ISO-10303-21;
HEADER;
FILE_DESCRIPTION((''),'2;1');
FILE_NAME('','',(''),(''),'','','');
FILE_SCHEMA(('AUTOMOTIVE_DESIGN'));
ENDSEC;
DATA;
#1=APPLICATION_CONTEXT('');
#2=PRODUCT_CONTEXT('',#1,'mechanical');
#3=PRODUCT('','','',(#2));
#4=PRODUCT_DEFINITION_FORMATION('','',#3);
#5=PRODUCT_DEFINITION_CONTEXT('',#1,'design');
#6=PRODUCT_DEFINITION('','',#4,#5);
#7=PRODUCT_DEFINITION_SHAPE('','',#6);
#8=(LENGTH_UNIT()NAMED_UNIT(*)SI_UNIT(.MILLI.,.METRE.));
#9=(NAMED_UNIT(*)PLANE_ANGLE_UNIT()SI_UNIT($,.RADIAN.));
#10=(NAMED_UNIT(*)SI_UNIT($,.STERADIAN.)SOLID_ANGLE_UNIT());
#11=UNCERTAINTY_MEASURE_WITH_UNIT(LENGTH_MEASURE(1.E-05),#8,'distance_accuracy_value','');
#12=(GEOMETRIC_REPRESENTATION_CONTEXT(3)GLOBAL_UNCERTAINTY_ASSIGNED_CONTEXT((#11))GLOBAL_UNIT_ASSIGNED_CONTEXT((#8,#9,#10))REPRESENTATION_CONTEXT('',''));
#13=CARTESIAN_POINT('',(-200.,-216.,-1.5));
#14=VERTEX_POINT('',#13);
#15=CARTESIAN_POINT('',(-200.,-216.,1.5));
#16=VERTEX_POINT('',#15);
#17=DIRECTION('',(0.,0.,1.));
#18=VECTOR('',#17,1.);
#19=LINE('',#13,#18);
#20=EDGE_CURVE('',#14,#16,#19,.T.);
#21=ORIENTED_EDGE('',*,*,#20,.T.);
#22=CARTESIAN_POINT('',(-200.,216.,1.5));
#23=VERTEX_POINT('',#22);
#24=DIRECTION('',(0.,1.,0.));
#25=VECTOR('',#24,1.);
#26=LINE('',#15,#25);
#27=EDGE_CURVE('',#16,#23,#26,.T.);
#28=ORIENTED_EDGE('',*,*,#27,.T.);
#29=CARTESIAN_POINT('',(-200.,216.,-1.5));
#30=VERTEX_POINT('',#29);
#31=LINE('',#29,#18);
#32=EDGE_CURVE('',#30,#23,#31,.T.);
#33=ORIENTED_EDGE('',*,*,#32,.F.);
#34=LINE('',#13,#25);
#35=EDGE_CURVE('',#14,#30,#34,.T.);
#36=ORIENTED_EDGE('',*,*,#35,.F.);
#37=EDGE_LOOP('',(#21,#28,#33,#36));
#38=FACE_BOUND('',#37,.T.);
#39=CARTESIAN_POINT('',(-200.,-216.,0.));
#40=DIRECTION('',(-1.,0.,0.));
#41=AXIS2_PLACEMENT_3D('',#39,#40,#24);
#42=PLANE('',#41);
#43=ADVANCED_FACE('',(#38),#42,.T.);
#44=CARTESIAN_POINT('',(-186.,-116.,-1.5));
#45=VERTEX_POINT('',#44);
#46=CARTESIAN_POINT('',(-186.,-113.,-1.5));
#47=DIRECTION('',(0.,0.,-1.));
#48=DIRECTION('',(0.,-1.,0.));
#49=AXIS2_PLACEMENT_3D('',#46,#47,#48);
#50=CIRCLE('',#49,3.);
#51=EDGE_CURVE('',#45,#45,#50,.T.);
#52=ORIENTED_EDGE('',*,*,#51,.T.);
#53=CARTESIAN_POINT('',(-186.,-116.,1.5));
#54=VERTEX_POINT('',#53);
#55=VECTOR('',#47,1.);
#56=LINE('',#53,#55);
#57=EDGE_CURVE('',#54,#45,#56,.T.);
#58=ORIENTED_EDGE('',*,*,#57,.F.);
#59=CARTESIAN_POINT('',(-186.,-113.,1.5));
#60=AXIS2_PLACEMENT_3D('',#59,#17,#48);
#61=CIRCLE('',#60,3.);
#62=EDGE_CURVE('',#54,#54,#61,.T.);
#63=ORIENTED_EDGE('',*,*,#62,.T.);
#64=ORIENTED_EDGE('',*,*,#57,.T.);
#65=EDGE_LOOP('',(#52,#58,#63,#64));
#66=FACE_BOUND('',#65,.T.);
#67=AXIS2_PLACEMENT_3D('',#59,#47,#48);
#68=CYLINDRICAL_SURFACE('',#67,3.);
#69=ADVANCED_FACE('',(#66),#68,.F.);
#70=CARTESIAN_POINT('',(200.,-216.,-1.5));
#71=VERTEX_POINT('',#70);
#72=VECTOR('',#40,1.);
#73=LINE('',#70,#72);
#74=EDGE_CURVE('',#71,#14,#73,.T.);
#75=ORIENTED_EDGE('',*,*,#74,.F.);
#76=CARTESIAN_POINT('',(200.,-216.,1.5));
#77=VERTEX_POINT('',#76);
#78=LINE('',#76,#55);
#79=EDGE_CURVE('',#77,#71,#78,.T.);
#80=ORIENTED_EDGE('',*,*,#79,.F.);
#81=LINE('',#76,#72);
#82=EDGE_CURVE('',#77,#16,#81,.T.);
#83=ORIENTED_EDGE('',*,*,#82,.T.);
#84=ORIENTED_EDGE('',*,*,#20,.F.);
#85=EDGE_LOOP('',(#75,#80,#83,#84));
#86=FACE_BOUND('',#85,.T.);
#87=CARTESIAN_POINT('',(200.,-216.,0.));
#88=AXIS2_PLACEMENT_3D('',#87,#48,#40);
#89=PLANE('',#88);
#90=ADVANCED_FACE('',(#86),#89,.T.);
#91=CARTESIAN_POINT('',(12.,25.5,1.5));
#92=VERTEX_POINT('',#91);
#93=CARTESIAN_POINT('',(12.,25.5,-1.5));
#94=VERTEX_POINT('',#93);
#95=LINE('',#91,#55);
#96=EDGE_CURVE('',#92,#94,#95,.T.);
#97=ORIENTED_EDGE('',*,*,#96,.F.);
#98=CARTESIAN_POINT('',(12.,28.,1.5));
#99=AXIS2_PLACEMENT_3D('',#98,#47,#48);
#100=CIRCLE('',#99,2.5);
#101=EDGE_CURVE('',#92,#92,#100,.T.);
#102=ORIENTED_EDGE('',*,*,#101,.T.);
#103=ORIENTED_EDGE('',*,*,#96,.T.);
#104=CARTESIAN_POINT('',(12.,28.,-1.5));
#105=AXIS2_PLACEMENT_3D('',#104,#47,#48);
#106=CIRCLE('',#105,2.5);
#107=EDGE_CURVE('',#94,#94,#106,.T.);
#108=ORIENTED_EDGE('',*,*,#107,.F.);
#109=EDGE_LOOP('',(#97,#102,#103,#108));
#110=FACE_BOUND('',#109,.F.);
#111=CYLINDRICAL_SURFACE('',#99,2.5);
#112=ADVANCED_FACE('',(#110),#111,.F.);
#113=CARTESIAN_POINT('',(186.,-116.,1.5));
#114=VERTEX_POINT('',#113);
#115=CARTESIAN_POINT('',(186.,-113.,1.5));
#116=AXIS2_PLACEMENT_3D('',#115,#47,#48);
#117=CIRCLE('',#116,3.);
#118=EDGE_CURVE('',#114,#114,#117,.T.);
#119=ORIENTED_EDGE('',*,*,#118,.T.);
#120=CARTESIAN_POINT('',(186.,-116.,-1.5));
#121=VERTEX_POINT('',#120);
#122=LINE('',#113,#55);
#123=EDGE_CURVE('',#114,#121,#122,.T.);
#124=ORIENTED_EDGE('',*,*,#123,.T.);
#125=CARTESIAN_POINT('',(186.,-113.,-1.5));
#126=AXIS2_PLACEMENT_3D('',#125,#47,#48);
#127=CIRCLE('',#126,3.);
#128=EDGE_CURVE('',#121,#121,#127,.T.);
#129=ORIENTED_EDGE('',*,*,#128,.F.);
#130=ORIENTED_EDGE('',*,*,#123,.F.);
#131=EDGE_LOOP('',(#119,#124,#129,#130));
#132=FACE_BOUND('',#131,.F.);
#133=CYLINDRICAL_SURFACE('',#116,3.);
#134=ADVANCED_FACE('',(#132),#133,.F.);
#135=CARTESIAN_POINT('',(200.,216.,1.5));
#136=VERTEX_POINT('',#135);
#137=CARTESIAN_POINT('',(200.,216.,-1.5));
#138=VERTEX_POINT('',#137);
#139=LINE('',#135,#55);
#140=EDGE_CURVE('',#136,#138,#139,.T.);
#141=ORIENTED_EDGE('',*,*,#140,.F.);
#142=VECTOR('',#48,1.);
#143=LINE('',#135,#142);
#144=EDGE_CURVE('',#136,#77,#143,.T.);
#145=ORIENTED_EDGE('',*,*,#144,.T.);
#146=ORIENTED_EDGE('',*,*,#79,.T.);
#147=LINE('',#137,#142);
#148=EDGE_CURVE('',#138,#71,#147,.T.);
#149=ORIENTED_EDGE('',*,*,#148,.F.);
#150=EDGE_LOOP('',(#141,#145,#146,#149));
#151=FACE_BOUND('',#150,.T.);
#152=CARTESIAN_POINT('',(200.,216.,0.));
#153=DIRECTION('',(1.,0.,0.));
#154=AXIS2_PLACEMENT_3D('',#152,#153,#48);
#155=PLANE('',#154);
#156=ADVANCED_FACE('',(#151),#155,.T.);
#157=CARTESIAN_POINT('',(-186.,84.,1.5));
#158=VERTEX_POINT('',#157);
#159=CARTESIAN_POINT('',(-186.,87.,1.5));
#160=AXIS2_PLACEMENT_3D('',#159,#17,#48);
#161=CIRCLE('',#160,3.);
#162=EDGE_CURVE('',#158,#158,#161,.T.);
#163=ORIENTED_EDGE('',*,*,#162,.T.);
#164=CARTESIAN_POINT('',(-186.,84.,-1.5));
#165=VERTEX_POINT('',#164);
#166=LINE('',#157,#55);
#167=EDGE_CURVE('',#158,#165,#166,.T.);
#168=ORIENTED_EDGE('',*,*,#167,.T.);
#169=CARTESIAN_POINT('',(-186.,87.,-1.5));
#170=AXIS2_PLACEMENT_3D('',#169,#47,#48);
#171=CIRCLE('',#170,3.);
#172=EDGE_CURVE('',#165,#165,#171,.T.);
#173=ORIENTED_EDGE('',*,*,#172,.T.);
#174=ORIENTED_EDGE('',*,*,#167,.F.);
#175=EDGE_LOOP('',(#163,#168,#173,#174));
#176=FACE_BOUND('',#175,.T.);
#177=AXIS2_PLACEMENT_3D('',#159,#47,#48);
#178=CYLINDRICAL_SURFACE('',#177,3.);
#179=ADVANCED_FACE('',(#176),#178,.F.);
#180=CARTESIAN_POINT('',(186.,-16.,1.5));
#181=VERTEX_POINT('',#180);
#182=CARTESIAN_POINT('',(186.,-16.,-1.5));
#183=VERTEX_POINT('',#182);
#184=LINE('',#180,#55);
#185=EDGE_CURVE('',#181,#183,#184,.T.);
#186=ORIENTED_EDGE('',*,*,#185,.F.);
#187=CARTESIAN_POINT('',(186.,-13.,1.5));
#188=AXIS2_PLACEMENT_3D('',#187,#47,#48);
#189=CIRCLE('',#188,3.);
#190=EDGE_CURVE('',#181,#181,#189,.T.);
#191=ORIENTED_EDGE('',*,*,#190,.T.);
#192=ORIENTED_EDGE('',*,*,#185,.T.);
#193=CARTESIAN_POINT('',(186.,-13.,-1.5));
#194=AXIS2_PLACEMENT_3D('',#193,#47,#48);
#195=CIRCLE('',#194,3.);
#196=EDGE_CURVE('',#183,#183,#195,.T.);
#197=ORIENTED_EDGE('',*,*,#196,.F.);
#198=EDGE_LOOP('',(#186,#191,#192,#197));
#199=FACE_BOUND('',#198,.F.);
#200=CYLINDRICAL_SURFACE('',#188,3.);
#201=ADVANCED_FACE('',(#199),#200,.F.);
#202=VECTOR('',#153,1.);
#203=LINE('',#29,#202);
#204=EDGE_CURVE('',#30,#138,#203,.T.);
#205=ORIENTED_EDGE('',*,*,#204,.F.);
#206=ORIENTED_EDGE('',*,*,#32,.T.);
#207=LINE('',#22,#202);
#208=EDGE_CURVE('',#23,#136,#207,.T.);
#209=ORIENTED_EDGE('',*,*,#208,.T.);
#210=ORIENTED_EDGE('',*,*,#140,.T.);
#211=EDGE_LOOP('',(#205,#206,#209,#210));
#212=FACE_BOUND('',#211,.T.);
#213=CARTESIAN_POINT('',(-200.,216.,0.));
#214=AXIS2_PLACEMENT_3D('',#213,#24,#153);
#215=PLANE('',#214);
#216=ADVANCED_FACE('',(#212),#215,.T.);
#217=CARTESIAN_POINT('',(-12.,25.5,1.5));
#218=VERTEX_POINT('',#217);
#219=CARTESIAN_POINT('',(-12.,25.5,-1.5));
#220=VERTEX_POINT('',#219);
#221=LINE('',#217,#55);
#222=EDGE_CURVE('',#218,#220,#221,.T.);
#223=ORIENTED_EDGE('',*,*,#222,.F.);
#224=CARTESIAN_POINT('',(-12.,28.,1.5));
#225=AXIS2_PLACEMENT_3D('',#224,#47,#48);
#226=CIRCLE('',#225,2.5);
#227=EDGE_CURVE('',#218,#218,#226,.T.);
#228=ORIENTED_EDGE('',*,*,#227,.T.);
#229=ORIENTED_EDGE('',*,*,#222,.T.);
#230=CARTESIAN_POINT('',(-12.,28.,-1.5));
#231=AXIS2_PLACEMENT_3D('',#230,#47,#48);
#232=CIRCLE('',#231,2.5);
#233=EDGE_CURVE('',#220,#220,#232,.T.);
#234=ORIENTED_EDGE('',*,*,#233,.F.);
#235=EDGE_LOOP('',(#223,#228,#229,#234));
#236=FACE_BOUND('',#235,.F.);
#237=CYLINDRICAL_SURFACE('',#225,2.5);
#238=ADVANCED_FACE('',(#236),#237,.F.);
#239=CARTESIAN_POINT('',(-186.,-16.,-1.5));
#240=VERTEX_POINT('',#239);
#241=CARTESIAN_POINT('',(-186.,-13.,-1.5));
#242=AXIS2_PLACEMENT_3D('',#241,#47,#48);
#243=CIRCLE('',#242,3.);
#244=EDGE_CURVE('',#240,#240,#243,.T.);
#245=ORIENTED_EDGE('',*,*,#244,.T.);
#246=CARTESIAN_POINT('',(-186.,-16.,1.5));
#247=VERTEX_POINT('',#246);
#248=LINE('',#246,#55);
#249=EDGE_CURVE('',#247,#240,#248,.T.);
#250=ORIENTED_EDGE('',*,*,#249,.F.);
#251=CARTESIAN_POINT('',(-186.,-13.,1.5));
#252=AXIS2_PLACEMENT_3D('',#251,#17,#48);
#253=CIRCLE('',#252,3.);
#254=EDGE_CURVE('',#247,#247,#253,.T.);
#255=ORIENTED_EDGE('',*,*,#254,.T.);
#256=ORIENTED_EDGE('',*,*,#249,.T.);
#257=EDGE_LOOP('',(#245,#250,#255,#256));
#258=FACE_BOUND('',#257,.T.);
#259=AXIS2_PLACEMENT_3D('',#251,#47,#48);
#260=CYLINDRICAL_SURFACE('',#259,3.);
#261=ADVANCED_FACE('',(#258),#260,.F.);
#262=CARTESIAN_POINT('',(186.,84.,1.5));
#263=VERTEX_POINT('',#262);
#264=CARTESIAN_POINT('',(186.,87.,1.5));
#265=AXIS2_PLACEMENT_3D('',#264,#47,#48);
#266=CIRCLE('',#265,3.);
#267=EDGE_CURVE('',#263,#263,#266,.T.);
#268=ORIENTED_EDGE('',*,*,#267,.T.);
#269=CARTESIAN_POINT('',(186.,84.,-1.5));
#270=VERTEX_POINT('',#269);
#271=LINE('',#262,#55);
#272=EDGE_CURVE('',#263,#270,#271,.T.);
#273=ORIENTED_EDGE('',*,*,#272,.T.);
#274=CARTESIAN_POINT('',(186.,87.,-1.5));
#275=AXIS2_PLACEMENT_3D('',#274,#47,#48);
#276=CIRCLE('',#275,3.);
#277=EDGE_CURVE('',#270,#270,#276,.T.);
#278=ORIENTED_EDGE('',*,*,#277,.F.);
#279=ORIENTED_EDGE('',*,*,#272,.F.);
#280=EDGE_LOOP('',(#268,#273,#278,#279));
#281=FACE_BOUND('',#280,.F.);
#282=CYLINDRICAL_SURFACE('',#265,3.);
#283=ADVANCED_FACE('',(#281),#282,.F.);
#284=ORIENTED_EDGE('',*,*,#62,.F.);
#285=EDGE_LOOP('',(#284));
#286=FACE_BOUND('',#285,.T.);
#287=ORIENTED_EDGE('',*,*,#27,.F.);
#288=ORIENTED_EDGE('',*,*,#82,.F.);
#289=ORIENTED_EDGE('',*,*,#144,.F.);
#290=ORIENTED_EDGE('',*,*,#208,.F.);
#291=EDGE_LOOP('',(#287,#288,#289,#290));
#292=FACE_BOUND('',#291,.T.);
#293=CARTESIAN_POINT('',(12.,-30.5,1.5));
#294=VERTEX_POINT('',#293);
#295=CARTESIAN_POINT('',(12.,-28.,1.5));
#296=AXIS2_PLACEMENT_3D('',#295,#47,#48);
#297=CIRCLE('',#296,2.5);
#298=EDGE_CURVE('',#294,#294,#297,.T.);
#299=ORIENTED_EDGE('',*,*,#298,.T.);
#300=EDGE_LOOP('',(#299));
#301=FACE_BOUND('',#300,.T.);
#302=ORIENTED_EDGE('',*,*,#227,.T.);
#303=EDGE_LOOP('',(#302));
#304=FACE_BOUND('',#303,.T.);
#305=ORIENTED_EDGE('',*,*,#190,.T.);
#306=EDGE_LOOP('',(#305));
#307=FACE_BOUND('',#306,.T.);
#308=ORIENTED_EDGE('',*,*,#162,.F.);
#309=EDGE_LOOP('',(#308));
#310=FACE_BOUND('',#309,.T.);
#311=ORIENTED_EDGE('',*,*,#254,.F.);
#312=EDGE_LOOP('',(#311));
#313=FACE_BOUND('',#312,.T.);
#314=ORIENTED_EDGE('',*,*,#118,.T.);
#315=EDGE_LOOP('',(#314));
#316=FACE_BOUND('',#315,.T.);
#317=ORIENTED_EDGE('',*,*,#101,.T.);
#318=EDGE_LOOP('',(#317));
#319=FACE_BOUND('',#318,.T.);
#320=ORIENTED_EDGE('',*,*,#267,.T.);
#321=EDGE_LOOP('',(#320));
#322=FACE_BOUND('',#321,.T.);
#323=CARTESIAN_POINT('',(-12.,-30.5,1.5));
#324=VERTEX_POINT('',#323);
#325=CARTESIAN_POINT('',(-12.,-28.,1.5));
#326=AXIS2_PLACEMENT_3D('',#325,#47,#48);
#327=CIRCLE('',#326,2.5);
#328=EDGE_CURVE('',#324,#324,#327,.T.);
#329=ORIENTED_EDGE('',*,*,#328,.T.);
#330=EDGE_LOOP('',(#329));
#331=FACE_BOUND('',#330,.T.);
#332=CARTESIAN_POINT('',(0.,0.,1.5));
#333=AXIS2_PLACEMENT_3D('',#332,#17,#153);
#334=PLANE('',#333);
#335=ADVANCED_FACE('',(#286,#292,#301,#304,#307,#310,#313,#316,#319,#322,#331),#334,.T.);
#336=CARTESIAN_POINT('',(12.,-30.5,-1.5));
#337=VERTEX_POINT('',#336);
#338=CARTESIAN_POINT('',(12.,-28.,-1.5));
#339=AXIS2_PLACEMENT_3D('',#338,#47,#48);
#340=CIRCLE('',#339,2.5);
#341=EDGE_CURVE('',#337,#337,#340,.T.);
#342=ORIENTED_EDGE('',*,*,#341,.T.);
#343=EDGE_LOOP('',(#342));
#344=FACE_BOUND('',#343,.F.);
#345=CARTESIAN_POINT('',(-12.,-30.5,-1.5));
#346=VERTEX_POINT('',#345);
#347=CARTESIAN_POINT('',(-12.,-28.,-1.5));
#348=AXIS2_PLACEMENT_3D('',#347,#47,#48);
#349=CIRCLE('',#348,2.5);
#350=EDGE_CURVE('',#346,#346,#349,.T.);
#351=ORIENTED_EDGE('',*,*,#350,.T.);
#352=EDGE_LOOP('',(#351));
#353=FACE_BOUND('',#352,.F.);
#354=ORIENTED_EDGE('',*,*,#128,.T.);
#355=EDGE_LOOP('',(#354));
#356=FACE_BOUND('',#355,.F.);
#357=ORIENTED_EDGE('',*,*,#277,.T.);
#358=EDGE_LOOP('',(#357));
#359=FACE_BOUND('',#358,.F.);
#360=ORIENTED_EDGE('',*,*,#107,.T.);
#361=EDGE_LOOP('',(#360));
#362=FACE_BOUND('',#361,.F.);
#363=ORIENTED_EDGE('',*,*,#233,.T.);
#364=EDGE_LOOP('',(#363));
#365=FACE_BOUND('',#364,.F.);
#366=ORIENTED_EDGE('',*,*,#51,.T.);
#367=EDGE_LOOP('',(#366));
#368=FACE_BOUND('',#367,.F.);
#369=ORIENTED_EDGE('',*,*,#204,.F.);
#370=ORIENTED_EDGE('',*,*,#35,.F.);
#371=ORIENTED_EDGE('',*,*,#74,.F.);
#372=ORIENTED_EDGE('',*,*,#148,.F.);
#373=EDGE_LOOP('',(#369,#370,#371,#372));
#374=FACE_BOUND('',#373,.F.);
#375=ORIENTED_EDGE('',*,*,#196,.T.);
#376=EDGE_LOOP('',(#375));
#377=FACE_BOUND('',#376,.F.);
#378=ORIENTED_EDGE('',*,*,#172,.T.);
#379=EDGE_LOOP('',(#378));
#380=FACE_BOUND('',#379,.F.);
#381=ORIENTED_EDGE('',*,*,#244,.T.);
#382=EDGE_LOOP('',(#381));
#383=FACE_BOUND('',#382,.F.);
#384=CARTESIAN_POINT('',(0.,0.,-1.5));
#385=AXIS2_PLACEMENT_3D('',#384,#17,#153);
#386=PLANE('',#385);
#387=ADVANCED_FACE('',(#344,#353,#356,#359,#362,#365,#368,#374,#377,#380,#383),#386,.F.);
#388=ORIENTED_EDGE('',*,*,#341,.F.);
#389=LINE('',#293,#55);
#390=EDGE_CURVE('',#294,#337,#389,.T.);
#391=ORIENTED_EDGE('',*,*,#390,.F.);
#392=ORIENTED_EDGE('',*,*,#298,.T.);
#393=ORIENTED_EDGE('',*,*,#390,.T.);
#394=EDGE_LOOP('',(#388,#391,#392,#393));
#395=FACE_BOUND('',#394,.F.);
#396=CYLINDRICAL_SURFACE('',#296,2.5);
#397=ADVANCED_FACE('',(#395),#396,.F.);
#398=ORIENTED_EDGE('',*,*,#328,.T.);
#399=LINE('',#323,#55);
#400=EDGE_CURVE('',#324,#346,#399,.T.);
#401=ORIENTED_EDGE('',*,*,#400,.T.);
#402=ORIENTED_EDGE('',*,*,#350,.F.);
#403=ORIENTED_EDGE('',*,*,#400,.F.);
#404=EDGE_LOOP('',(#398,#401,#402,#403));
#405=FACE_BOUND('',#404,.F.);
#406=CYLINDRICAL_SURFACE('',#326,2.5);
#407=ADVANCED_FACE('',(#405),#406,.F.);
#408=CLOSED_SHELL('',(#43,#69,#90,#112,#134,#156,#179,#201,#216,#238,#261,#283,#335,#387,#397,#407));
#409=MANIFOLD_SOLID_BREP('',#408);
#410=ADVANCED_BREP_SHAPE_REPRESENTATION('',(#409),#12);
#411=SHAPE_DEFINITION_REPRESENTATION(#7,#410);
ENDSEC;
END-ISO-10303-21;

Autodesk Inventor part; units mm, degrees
ref_plane "YZ Plane" through (0, 0, 0) normal (1, 0, 0) x (0, 1, 0)
ref_plane "XZ Plane" through (0, 0, 0) normal (0, 1, 0) x (-1, 0, 0)
ref_plane "XY Plane" through (0, 0, 0) normal (0, 0, 1) x (1, 0, 0)
sketch "Sketch1" plane through (0, 0, 0) normal (0, 0, 1) x (1, 0, 0)
  line L0 (-200, 216) -> (200, 216)
  line L1 (200, 216) -> (200, -216)
  line L2 (200, -216) -> (-200, -216)
  line L3 (-200, -216) -> (-200, 216)
  line L4 (-200, 216) -> (200, -216) construction
  line L5 (200, 216) -> (-200, -216) construction
  point P0 (0, 0)
  dimension "d0" = 432
  dimension "d1" = 400
extrude "Extrusion1" add sketch "Sketch1" along normal mid plane 3
sketch "Sketch2" plane through (0, 0, 1.5) normal (0, 0, 1) x (1, 0, 0)
  line L0 (-200, -216) -> (200, -216) projected
  line L1 (200, -216) -> (200, 216) projected
  point P0 (0, 0)
  point P1 (186, -113)
  point P2 (186, -13)
  point P3 (186, 87)
  dimension "d4" = 103
  dimension "d5" = 100
  dimension "d6" = 100
  dimension "d7" = 14
hole "Hole1" at (186, -113, 1.5) at (186, -13, 1.5) at (186, 87, 1.5) direction (0, 0, -1) diameter 6 depth 14.2 tip angle 118
mirror "Mirror1" about plane through (0, 0, 0) normal (1, 0, 0) of "Hole1"
sketch "Sketch3" plane through (0, 0, 1.5) normal (0, 0, 1) x (1, 0, 0)
  point P0 (0, 0)
  point P1 (-12, -28)
  point P2 (-12, 28)
  point P3 (12, 28)
  point P4 (12, -28)
  dimension "d15" = 24
  dimension "d16" = 56
  dimension "d17" = 12
  dimension "d18" = 28
hole "Hole2" at (-12, -28, 1.5) at (-12, 28, 1.5) at (12, 28, 1.5) at (12, -28, 1.5) direction (0, 0, -1) diameter 5 depth 14.2 tip angle 118
equation "\"d6\" = d5"
properties part number "HCMUTE-CDT23-KXL_A05" material "PMMA Plastic"
